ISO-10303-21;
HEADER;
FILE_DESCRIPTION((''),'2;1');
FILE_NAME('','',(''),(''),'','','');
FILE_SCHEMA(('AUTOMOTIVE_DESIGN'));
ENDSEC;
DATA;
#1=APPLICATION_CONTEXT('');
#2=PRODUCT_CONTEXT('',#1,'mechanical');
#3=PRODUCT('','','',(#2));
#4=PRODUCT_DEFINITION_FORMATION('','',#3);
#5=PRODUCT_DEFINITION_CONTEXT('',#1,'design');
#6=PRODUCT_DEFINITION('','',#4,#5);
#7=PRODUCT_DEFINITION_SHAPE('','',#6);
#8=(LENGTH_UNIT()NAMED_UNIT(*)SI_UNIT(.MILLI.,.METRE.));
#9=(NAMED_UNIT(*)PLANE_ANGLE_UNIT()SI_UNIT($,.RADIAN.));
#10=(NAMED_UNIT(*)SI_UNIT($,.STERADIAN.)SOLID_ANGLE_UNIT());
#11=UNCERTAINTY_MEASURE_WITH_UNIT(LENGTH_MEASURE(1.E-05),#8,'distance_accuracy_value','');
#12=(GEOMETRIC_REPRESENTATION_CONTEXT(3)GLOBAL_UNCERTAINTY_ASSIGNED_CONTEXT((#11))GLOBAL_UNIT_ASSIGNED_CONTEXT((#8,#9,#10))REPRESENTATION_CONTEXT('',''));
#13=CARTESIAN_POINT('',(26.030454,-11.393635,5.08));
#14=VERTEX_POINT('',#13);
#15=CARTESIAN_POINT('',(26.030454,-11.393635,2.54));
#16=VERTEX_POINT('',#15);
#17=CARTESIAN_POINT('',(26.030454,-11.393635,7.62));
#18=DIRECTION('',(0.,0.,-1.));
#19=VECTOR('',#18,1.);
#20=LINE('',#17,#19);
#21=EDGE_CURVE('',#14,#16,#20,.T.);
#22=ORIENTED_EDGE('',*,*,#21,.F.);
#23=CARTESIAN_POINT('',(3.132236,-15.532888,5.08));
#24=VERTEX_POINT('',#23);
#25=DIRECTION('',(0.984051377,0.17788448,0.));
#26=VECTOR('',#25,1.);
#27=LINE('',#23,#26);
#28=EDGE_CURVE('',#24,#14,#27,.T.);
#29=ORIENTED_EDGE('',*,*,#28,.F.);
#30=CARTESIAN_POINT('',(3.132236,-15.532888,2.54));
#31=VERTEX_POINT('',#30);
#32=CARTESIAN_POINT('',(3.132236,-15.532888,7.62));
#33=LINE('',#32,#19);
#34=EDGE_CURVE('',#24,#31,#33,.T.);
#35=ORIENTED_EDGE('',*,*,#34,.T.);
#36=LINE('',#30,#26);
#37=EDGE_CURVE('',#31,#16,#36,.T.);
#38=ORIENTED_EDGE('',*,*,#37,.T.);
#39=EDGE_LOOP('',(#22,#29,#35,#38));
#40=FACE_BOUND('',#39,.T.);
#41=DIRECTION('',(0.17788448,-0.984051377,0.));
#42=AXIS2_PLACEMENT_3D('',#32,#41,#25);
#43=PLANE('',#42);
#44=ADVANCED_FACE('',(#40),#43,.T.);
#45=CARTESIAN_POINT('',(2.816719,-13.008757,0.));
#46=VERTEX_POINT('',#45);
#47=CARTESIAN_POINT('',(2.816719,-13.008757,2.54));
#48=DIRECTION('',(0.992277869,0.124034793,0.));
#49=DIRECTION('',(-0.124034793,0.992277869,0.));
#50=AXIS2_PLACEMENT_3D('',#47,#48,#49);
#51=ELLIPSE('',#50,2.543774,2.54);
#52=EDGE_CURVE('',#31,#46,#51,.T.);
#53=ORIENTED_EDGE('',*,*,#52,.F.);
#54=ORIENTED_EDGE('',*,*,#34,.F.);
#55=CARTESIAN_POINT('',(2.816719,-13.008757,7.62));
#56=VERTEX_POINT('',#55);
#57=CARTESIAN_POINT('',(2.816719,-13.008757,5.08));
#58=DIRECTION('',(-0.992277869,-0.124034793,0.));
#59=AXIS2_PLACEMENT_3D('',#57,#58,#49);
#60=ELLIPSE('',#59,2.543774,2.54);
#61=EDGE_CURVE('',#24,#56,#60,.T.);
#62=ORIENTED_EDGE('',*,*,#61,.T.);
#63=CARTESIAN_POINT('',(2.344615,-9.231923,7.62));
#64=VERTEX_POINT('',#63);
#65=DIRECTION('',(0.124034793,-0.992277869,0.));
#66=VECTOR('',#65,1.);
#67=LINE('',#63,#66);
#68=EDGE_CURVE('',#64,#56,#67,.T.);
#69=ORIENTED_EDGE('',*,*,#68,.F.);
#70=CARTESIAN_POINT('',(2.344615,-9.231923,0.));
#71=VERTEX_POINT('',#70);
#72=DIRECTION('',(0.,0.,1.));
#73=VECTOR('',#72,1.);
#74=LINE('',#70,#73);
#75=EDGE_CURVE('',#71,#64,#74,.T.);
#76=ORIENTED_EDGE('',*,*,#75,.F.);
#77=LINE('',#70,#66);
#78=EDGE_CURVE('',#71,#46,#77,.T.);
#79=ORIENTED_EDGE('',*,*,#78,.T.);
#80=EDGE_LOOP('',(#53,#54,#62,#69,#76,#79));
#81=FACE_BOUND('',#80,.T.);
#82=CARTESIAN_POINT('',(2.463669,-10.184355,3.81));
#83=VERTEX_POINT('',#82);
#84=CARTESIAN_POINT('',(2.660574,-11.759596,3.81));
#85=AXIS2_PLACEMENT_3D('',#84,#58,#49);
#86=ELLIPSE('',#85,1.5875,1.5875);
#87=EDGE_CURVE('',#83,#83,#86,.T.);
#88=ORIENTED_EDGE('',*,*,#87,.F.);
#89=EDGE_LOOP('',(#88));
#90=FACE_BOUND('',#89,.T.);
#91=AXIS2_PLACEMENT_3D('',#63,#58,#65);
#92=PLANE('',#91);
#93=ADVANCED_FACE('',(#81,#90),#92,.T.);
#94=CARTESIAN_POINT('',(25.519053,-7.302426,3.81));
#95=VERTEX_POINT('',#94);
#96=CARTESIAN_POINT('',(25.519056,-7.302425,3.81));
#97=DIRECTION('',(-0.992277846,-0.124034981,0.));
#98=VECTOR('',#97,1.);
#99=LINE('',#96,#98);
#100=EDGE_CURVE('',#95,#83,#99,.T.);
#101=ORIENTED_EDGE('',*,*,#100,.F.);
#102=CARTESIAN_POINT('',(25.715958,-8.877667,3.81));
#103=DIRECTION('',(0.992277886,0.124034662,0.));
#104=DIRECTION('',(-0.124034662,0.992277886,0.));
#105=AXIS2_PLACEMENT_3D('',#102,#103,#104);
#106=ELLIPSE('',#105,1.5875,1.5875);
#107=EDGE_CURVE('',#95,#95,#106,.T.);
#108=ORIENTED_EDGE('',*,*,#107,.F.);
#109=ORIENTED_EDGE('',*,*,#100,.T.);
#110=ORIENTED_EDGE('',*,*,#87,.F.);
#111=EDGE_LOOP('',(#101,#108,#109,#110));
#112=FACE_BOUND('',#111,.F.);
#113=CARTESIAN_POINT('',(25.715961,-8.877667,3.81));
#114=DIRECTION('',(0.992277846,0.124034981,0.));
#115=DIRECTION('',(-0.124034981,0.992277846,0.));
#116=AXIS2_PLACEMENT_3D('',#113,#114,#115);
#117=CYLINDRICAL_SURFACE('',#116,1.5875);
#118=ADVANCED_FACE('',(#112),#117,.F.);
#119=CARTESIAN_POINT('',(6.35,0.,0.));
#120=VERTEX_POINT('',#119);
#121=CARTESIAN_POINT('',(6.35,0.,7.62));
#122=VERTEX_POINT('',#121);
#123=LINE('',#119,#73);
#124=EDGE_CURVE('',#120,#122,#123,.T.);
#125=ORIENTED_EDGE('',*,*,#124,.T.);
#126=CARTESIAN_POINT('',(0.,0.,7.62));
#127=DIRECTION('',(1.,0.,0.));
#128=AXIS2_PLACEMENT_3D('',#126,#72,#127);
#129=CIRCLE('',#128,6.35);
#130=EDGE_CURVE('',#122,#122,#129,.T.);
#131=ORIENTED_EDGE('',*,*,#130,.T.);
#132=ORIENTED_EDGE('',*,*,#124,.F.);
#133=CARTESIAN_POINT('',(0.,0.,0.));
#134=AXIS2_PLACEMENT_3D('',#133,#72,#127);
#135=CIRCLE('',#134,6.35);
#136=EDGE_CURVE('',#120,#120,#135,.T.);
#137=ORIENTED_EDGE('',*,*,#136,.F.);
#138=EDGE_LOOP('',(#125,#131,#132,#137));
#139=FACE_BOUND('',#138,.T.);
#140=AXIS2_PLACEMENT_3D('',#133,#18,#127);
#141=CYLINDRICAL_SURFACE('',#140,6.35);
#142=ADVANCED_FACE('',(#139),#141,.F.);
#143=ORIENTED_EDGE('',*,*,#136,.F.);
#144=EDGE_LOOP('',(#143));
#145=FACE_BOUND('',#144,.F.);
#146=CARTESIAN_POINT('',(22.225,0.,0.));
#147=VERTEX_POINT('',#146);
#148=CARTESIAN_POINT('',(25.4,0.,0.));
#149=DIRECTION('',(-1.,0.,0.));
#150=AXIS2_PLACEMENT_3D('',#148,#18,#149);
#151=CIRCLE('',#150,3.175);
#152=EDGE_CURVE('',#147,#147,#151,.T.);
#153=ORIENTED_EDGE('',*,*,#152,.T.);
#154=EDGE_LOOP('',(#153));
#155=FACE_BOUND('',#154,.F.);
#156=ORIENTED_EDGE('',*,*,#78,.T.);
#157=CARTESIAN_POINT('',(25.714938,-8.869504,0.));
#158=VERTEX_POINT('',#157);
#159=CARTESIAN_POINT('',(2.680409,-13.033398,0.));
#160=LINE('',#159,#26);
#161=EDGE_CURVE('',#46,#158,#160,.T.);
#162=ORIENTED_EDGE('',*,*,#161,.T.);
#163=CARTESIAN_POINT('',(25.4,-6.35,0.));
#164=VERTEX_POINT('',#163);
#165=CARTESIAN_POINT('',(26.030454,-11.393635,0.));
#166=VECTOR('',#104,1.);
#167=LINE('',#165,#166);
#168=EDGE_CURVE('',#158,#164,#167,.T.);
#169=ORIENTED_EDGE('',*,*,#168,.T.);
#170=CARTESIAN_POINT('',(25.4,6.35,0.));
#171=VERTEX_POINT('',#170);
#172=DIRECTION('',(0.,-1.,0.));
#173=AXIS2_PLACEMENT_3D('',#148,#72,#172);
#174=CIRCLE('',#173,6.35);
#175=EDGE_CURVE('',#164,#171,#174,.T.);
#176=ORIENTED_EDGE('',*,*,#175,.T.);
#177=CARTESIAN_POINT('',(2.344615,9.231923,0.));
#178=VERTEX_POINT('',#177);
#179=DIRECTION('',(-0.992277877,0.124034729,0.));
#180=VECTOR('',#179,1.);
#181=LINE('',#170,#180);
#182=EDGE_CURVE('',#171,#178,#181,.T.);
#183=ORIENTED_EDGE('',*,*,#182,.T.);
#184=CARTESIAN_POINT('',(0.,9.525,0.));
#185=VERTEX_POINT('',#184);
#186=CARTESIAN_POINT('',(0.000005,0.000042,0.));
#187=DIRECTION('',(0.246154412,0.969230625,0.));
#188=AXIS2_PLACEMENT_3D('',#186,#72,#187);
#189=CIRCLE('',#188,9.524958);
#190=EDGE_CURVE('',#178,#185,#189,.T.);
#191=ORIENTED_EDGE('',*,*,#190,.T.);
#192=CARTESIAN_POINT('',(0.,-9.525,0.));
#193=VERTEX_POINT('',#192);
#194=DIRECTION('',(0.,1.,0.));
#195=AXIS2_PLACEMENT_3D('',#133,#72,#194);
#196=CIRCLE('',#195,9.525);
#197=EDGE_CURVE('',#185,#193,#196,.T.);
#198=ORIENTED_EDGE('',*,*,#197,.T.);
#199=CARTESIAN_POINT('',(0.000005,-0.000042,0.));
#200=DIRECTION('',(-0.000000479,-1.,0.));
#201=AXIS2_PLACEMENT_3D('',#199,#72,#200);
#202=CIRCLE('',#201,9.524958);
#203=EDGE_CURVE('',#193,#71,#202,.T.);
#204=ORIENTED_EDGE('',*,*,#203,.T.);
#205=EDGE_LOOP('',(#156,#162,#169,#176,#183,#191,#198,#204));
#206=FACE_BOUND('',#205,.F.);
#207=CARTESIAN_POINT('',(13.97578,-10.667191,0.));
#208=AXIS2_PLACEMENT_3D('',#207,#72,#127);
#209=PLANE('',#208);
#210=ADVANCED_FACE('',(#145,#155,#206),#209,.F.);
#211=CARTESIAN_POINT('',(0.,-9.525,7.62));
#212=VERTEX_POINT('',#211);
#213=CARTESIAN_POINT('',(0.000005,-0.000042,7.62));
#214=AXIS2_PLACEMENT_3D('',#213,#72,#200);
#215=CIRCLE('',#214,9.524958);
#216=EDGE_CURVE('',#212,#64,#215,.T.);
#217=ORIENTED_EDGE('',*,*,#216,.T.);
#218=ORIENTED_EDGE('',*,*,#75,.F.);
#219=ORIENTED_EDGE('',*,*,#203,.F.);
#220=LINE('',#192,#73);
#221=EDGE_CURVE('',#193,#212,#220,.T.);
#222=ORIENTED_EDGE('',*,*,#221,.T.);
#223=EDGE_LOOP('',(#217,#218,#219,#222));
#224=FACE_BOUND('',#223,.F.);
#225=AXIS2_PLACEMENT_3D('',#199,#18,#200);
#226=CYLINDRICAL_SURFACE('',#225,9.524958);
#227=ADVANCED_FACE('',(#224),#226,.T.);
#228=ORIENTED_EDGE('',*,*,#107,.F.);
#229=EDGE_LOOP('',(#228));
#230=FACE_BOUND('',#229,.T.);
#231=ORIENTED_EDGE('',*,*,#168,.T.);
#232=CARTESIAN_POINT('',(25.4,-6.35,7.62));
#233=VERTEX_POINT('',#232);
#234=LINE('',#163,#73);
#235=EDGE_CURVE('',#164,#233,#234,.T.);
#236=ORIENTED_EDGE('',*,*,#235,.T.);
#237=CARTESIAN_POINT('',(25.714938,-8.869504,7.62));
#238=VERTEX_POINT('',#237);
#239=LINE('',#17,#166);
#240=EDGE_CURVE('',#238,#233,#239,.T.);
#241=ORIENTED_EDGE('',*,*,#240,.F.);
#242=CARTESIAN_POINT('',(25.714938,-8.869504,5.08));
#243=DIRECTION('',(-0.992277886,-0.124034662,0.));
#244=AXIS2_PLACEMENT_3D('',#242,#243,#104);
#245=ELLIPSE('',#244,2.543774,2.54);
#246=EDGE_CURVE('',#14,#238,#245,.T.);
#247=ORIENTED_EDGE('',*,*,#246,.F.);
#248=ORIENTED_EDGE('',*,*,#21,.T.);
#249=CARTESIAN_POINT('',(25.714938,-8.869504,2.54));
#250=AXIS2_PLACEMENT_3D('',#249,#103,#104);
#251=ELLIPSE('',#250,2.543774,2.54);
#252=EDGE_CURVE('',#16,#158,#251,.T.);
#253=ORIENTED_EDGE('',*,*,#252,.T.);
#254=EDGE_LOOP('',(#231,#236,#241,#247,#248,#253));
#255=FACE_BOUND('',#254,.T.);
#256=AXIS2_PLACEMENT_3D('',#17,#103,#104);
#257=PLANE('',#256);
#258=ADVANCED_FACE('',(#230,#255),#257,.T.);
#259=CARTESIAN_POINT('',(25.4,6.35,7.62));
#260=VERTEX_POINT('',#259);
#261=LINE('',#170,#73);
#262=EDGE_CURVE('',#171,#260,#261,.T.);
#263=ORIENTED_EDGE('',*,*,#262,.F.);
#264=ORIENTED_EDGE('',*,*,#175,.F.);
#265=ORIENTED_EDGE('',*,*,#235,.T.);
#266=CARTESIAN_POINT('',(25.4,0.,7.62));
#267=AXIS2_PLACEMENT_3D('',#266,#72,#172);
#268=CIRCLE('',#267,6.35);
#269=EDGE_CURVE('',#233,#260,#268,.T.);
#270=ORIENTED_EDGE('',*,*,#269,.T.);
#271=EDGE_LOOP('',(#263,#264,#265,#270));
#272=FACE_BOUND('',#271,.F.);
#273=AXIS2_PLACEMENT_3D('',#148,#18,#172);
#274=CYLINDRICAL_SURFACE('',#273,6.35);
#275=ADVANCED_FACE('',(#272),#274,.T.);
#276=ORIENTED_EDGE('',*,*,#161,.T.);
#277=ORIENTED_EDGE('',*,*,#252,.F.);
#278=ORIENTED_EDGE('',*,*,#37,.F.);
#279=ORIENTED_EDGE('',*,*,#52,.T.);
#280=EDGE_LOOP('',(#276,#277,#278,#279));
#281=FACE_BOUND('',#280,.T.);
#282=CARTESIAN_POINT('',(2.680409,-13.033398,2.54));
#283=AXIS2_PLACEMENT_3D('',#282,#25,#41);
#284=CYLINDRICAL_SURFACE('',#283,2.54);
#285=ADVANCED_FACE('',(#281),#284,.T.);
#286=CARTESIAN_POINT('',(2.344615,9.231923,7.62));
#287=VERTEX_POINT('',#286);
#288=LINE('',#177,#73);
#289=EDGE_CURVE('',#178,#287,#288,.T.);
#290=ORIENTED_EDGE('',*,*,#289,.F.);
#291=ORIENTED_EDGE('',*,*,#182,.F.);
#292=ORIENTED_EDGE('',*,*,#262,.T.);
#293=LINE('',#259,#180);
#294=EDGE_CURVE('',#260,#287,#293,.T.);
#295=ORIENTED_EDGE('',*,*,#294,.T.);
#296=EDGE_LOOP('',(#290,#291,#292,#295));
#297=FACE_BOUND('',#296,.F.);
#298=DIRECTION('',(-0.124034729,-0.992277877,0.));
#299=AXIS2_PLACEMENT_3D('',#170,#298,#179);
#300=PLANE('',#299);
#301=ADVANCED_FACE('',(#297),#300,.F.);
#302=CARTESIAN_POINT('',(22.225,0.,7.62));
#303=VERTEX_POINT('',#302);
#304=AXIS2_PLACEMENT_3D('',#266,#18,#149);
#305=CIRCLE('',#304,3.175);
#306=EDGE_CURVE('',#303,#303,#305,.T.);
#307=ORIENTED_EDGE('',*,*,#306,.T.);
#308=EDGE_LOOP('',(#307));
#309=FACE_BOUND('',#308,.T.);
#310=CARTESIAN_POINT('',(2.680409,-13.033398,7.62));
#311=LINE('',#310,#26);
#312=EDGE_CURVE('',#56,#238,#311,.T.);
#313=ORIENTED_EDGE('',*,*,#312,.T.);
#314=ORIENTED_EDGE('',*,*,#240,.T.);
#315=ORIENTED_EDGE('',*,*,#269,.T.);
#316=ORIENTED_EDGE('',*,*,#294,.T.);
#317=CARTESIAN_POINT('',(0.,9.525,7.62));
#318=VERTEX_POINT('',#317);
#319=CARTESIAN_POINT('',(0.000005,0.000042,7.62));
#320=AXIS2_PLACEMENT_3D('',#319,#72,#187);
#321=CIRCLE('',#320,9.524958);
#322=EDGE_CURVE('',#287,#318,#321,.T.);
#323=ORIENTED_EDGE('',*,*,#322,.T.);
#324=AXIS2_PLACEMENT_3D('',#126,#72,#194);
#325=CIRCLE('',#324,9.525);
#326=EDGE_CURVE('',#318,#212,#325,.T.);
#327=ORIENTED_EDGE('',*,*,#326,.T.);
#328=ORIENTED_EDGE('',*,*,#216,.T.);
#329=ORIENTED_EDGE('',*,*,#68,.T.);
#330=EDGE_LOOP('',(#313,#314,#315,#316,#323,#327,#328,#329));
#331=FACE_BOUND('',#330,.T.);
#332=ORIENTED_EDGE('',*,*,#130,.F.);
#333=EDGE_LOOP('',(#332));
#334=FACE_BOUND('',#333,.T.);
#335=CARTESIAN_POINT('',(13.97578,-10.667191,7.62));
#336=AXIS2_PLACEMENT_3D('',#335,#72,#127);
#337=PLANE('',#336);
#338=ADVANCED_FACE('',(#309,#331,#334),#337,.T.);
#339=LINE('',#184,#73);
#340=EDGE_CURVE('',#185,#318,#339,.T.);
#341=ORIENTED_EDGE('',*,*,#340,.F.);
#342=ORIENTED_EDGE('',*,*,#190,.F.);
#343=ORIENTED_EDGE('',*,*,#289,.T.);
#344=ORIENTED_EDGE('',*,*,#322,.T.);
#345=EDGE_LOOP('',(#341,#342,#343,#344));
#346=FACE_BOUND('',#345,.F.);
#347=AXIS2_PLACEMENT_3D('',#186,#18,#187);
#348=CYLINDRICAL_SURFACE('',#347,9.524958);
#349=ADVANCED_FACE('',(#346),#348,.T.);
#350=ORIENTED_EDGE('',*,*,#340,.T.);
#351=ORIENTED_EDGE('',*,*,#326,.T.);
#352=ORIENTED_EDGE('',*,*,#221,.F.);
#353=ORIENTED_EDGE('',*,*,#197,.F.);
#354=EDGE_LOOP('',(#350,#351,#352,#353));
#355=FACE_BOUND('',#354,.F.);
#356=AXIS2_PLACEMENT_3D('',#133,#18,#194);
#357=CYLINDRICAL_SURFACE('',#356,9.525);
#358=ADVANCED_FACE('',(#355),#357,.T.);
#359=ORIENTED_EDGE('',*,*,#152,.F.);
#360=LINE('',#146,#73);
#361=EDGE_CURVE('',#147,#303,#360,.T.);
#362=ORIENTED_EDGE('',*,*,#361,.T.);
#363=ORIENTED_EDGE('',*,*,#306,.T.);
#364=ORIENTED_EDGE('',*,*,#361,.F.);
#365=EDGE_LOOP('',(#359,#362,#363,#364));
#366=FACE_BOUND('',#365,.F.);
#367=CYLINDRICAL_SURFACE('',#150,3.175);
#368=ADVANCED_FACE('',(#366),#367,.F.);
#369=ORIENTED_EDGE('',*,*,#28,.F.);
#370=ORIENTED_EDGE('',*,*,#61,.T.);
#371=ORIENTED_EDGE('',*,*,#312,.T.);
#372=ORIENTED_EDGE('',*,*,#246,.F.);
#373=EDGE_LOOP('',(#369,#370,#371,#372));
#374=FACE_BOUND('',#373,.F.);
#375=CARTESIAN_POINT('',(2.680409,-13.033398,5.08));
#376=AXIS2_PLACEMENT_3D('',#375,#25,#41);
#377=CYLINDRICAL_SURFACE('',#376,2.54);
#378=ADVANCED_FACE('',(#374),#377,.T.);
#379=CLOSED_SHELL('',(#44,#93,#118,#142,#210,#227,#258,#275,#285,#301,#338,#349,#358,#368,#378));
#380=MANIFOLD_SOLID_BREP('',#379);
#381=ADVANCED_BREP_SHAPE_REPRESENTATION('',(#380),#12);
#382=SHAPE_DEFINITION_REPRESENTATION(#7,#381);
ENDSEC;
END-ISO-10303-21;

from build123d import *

# Parameters (mm, degrees)
F0_R     = 6.35
F1_DEPTH = 7.62
F3_DEPTH = 7.62
F4_R     = 1.5875
F5_DEPTH = 25.4
F6_R     = 2.54


with BuildPart() as f1:
    # F0 (on Top) → F1 (new body)
    with BuildSketch(Plane.XY):
        with BuildLine():
            ThreePointArc((28.575, 0), (25.4, 3.175), (22.225, 0))
            ThreePointArc((22.225, 0), (25.4, -3.175), (28.575, 0))
        make_face()
        Circle(F0_R)
        with BuildLine():
            Line((0, 9.525), (2.344615, 9.231923))
            ThreePointArc((2.344615, 9.231923), (1.181431, 9.451447), (0, 9.525))
        make_face()
        with BuildLine():
            Line((25.4, 6.35), (2.344615, 9.231923))
            Line((2.344615, 9.231923), (0, 9.525))
            ThreePointArc((0, 9.525), (-9.525, 0), (0, -9.525))
            Line((0, -9.525), (2.344615, -9.231923))
            Line((2.344615, -9.231923), (25.4, -6.35))
            ThreePointArc((25.4, -6.35), (31.75, 0), (25.4, 6.35))
        make_face()
        Circle(F0_R, mode=Mode.SUBTRACT)
        with BuildLine():
            ThreePointArc((28.575, 0), (25.4, -3.175), (22.225, 0))
            ThreePointArc((22.225, 0), (25.4, 3.175), (28.575, 0))
        make_face(mode=Mode.SUBTRACT)
        with BuildLine():
            Line((2.344615, -9.231923), (0, -9.525))
            ThreePointArc((0, -9.525), (1.181431, -9.451447), (2.344615, -9.231923))
        make_face()
    extrude(amount=F1_DEPTH)

    # F2 (on face) → F3 (join)
    with BuildSketch(Plane.XY.offset(7.62)):
        Polygon((26.030454, -11.393635), (25.4, -6.35), (2.344615, -9.231923), (3.132236, -15.532888), align=None)
    extrude(amount=-F3_DEPTH)

    # F4 (on face) → F5 (cut)
    with BuildSketch(Plane(origin=(24.227692, 3.028462, 0), x_dir=(-0.124035, 0.992278, 0), z_dir=(0.992278, 0.124035, 0))):
        with Locations((-11.998785, 3.81)):
            Circle(F4_R)
    extrude(amount=-F5_DEPTH, mode=Mode.SUBTRACT)

    # F6
    f6_edges = [f1.edges().sort_by_distance(p)[0] for p in [
        (14.581345, -13.463261, 7.62),
        (14.581345, -13.463261, 0),
    ]]
    fillet(f6_edges, radius=F6_R)


solid = f1.part
